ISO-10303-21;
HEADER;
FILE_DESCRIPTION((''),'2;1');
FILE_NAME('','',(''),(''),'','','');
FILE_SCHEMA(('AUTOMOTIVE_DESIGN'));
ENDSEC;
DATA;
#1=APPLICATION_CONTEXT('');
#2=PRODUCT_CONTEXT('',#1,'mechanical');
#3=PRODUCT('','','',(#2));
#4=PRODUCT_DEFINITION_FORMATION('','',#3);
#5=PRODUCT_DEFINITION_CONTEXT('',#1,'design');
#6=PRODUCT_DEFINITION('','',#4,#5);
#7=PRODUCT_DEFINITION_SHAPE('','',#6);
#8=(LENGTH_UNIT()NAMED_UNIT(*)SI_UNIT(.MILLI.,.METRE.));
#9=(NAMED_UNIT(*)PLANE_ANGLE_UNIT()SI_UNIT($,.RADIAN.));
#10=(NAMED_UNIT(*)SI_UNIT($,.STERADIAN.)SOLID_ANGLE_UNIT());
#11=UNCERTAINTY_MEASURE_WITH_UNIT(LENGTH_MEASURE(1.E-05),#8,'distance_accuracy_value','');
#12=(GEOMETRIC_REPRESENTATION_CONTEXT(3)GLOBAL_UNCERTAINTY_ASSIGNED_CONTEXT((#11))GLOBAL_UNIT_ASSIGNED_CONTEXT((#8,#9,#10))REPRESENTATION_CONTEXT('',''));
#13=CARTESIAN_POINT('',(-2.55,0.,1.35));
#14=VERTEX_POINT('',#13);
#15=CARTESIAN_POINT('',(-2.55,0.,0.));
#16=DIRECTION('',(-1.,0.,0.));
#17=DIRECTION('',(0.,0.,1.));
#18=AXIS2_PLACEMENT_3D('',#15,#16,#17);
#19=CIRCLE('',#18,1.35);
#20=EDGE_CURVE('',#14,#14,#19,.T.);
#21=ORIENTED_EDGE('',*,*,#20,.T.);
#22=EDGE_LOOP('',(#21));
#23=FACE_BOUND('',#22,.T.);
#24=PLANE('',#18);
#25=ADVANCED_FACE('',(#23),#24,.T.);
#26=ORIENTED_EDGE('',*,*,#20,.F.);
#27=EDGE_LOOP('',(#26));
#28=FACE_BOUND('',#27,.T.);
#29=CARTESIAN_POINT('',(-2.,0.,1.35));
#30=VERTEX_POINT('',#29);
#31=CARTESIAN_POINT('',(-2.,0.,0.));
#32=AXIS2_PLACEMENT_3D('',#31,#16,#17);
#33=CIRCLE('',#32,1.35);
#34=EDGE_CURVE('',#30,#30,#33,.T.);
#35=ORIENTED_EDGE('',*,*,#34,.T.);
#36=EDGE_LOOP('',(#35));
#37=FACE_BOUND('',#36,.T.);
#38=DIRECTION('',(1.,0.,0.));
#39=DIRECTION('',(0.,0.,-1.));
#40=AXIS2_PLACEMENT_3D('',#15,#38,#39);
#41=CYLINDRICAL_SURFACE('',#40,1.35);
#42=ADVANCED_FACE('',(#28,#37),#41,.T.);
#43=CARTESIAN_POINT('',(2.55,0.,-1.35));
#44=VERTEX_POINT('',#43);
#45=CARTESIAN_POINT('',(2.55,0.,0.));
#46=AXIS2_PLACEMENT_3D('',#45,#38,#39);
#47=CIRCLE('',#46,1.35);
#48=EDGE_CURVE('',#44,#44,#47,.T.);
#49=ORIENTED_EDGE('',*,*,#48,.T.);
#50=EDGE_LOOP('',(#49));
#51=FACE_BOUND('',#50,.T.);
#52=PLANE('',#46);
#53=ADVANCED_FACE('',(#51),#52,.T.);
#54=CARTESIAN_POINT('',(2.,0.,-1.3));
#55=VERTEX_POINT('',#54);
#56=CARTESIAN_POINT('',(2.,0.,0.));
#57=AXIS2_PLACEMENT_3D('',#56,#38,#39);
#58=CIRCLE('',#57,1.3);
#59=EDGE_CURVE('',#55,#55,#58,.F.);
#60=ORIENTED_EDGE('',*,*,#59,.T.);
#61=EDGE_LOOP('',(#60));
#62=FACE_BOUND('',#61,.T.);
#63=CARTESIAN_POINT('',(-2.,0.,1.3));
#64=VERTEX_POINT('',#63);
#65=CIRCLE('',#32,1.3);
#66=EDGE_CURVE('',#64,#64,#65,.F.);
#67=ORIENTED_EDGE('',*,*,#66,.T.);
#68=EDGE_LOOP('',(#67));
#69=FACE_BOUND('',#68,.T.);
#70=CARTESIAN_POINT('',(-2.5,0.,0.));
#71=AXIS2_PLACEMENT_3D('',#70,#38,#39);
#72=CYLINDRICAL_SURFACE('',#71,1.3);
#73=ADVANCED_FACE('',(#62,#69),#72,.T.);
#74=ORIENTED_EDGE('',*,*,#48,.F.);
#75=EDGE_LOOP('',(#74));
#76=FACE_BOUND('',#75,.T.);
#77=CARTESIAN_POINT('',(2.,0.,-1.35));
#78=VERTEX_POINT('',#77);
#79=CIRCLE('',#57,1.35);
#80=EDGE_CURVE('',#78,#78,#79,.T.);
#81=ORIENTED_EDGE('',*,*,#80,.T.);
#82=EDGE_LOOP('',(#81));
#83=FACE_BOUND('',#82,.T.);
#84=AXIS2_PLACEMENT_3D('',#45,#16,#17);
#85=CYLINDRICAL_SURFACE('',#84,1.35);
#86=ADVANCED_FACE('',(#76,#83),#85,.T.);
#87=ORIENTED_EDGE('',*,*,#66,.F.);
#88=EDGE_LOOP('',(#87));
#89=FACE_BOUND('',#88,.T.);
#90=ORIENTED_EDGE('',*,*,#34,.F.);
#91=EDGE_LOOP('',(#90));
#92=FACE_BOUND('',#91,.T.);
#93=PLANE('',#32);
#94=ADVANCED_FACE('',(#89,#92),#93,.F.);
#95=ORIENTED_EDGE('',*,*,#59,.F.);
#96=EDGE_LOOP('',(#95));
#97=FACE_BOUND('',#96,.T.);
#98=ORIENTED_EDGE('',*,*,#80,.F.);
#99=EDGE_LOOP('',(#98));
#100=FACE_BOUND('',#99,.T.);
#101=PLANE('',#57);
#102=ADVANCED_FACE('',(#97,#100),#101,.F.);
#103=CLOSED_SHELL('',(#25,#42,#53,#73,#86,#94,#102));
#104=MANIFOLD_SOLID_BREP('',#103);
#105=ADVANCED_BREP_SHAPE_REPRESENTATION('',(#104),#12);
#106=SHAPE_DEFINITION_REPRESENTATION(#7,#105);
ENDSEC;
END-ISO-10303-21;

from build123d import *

# Parameters (mm, degrees)
EXTRUDE_1_DEPTH      = 2.5
EXTRUDE_1_DEPTH_BACK = 2.5
SKETCH_1_R           = 1.3
EXTRUDE_3_DEPTH      = 0.05
EXTRUDE_3_DEPTH_BACK = 0.5
SKETCH_6_R           = 1.35
EXTRUDE_4_DEPTH      = 0.05
EXTRUDE_4_DEPTH_BACK = 0.5
SKETCH_8_R           = 1.35


with BuildPart() as part:
    # Эскиз1 → Бобышка-Вытянуть1 (new, two sides: drawn at the far end of the back side and taken through both)
    with BuildSketch(Plane(origin=(0, 0, 0), x_dir=(0, 0, -1), z_dir=(1, 0, 0)).offset(-EXTRUDE_1_DEPTH_BACK)):
        Circle(SKETCH_1_R)
    extrude(amount=EXTRUDE_1_DEPTH + EXTRUDE_1_DEPTH_BACK)

    # Эскиз6 → Бобышка-Вытянуть3 (add, two sides: drawn at the far end of the back side and taken through both)
    with BuildSketch(Plane(origin=(2.5, 0, 0), x_dir=(0, 0, -1), z_dir=(1, 0, 0)).offset(-EXTRUDE_3_DEPTH_BACK)):
        Circle(SKETCH_6_R)
    extrude(amount=EXTRUDE_3_DEPTH + EXTRUDE_3_DEPTH_BACK)

    # Эскиз8 → Бобышка-Вытянуть4 (add, two sides: drawn at the far end of the back side and taken through both)
    with BuildSketch(Plane.ZY.offset(2.5).offset(-EXTRUDE_4_DEPTH_BACK)):
        Circle(SKETCH_8_R)
    extrude(amount=EXTRUDE_4_DEPTH + EXTRUDE_4_DEPTH_BACK)


solid = part.part
